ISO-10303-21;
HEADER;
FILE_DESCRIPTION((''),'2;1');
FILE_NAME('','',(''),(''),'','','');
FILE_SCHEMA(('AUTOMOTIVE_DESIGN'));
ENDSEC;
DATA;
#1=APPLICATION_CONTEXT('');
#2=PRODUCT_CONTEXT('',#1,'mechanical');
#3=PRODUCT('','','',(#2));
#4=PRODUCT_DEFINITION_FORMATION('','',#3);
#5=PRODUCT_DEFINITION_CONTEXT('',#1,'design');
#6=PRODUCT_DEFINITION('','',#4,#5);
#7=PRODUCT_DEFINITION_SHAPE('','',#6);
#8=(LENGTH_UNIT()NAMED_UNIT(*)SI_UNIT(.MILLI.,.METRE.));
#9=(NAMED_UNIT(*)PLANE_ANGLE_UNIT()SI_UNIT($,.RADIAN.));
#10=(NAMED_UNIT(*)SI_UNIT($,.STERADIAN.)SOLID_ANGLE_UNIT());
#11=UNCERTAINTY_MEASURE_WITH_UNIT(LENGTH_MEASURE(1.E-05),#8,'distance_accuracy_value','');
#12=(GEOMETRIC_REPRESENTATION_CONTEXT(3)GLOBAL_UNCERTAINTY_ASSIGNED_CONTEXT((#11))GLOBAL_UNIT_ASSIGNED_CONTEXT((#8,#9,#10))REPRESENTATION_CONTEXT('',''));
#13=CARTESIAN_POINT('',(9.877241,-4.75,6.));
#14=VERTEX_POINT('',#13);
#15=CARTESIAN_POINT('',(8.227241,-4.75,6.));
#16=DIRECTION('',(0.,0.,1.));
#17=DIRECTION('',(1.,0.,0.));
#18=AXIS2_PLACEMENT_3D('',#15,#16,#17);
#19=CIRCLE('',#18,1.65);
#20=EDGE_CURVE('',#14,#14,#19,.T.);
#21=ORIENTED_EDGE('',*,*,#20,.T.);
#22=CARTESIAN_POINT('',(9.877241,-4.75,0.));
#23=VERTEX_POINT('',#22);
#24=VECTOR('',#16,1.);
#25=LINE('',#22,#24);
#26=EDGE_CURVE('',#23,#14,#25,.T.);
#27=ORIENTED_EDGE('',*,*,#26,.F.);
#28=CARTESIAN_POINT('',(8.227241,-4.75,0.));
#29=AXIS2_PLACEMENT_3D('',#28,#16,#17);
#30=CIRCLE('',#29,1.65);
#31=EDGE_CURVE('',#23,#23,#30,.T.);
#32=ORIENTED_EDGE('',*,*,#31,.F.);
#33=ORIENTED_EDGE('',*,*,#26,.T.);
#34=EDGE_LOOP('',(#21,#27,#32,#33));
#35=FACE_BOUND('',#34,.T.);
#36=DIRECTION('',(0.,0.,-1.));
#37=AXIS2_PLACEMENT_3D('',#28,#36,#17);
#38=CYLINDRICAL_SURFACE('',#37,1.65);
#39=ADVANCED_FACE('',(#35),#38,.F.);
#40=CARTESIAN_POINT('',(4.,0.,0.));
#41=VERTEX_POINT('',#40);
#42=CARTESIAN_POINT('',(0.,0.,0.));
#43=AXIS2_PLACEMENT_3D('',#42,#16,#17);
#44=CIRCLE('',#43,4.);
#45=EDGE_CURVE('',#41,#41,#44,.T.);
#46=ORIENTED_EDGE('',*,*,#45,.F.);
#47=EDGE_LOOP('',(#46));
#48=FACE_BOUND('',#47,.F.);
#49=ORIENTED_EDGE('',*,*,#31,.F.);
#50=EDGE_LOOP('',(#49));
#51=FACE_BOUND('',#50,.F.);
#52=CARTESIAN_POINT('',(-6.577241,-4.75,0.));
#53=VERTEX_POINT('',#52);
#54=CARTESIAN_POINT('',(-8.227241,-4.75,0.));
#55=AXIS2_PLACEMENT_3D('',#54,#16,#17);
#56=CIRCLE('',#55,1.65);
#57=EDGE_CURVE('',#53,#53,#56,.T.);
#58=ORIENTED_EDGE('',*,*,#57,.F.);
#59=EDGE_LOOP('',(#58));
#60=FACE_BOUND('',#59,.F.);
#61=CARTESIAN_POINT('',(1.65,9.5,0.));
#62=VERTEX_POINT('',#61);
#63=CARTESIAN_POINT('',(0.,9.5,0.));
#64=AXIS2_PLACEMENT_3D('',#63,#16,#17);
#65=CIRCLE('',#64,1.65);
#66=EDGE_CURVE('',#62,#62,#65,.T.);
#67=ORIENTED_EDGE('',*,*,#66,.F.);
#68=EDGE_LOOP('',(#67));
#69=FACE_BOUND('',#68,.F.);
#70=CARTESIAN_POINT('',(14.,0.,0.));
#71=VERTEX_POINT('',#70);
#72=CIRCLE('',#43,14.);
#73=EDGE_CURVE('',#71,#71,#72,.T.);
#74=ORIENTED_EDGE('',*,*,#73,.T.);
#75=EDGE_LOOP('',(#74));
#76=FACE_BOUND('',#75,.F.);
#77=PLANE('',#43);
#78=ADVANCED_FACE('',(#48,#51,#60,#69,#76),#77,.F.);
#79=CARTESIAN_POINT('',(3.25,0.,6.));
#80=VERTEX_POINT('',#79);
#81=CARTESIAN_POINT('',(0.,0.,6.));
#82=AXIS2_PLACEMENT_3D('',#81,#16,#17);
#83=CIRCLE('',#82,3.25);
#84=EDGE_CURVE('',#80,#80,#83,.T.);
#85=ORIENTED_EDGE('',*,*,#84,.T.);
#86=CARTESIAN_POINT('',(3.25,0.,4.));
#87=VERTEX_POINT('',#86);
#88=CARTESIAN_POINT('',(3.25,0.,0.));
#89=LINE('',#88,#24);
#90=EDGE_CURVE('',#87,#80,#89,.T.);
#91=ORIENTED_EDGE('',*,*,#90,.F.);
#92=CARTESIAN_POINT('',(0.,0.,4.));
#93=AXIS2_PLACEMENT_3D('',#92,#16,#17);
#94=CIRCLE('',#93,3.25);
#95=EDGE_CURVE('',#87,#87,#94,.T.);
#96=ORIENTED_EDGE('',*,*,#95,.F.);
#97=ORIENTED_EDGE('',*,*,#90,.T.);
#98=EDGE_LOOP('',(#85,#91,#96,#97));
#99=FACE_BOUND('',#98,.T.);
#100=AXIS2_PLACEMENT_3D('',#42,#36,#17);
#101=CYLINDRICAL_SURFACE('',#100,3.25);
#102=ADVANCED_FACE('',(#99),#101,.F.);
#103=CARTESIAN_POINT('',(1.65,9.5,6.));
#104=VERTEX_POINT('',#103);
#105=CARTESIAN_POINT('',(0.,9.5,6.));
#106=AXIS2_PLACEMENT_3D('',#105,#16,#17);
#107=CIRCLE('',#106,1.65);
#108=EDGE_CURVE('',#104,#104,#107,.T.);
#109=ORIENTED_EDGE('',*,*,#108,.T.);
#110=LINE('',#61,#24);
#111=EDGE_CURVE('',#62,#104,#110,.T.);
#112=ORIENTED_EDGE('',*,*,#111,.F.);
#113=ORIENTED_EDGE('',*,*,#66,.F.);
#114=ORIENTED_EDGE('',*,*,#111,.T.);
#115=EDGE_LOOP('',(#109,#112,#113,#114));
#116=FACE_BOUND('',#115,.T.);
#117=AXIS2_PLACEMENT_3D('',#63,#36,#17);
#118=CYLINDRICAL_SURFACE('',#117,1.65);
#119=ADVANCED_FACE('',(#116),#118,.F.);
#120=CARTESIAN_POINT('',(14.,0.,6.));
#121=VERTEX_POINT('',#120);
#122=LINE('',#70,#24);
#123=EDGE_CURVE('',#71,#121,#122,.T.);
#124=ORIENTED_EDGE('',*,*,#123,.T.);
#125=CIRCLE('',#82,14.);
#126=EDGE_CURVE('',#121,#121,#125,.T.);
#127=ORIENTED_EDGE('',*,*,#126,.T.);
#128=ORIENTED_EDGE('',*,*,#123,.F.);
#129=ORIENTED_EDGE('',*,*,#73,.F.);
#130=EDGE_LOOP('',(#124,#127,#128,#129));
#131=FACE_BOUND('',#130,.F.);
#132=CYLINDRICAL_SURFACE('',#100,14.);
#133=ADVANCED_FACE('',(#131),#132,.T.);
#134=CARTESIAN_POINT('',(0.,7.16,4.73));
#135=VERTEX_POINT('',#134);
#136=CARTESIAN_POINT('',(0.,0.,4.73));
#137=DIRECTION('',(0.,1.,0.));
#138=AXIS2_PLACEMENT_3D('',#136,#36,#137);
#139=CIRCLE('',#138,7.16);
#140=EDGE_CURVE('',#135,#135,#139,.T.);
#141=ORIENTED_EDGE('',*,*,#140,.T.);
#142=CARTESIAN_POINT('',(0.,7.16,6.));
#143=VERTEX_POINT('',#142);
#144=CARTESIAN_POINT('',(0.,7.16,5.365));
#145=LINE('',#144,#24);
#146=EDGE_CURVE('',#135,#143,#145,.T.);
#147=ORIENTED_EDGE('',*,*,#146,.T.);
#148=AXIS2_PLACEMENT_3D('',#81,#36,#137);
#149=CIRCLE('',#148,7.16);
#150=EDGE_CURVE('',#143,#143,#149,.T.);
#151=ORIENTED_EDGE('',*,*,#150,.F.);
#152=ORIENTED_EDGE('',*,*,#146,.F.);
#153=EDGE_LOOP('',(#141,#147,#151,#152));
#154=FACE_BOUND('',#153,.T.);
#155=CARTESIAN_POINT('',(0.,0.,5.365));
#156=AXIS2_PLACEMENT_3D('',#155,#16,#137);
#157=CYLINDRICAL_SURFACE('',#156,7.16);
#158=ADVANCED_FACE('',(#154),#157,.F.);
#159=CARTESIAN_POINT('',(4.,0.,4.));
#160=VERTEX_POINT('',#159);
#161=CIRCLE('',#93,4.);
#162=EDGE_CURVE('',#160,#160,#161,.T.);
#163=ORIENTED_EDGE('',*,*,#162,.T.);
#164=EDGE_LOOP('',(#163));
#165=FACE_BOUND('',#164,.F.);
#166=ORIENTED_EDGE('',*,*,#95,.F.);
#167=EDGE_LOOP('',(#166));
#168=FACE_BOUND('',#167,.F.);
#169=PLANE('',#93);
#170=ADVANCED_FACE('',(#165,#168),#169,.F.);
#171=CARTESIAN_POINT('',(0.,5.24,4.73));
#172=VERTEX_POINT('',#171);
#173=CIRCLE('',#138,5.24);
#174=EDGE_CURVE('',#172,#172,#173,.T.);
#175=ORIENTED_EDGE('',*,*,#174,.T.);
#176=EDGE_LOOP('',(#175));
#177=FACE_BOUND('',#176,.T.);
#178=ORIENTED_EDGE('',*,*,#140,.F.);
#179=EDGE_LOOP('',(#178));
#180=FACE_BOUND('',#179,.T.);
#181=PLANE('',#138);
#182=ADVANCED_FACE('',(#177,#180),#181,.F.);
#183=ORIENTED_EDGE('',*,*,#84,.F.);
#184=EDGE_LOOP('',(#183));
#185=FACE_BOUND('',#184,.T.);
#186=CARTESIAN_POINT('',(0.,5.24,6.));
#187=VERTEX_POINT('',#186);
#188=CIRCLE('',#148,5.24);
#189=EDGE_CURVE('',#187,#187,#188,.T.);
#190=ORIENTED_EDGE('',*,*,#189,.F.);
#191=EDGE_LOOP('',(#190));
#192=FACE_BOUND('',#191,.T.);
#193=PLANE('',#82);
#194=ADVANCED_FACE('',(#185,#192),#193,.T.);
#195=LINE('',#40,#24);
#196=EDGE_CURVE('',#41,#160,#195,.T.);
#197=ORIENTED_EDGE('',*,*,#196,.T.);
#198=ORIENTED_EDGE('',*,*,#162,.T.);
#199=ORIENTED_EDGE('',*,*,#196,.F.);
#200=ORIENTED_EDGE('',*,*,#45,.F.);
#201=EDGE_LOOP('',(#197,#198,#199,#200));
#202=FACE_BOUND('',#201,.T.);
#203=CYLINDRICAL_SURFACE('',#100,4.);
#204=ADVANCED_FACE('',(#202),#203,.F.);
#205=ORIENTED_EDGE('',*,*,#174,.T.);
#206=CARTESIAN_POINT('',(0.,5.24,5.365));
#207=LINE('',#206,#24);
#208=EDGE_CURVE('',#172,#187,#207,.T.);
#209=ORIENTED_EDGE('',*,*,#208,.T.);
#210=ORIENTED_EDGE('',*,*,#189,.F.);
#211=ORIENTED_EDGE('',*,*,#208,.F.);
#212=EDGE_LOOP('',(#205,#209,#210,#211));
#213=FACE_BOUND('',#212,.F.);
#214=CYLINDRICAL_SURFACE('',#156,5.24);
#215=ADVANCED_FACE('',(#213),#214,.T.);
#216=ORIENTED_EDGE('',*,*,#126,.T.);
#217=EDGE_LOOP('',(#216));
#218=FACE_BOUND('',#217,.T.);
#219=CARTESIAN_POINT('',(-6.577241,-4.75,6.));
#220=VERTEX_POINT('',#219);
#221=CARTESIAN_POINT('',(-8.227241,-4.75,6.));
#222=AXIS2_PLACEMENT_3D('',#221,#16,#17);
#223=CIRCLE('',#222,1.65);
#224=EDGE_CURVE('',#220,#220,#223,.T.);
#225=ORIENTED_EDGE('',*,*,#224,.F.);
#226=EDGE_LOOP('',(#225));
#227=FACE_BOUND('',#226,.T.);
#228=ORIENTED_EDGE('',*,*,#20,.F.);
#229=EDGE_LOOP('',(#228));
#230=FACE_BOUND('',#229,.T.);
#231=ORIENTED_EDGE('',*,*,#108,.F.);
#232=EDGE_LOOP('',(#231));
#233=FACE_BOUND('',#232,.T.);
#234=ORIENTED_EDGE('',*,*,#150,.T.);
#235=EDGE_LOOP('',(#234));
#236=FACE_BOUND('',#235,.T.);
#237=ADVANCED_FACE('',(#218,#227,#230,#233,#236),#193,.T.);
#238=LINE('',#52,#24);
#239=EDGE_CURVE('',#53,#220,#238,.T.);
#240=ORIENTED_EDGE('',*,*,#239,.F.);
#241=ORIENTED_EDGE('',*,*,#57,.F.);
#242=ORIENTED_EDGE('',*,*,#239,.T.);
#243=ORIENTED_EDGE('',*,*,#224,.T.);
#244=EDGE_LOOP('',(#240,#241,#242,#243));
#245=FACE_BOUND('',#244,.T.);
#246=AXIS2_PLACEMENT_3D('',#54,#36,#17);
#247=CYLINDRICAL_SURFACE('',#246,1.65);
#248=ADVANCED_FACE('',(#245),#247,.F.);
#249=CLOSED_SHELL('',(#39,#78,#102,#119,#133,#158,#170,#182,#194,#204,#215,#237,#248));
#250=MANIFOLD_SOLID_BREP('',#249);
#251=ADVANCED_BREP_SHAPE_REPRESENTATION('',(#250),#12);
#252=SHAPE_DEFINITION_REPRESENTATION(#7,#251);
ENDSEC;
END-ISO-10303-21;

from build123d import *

# Parameters (mm, degrees)
F0_R     = 14
F0_R_2   = 1.65
F0_R_3   = 4
F0_R_4   = 3.25
F1_DEPTH = 6
F2_W     = 1.92
F2_H     = 1.27
F4_DEPTH = 4


with BuildPart() as f1:
    # F0 (on Top) → F1 (new body)
    with BuildSketch(Plane.XY):
        Circle(F0_R)
        with Locations((-8.227241, -4.75)):
            Circle(F0_R_2, mode=Mode.SUBTRACT)
        with Locations((8.227241, -4.75)):
            Circle(F0_R_2, mode=Mode.SUBTRACT)
        Circle(F0_R_3, mode=Mode.SUBTRACT)
        with Locations((0, 9.5)):
            Circle(F0_R_2, mode=Mode.SUBTRACT)
        Circle(F0_R_3)
        Circle(F0_R_4, mode=Mode.SUBTRACT)
    extrude(amount=F1_DEPTH)

    # F2 (on Right) → F3 (revolve, cut)
    with BuildSketch(Plane.YZ):
        with Locations((6.2, 5.365)):
            Rectangle(F2_W, F2_H)
    revolve(axis=Axis((0, 0, 1.894894), (0, 0, -1)), mode=Mode.SUBTRACT)

    # F0 (on Top) → F4 (cut)
    with BuildSketch(Plane.XY):
        Circle(F0_R_3)
        Circle(F0_R_4, mode=Mode.SUBTRACT)
    extrude(amount=F4_DEPTH, mode=Mode.SUBTRACT)


solid = f1.part
